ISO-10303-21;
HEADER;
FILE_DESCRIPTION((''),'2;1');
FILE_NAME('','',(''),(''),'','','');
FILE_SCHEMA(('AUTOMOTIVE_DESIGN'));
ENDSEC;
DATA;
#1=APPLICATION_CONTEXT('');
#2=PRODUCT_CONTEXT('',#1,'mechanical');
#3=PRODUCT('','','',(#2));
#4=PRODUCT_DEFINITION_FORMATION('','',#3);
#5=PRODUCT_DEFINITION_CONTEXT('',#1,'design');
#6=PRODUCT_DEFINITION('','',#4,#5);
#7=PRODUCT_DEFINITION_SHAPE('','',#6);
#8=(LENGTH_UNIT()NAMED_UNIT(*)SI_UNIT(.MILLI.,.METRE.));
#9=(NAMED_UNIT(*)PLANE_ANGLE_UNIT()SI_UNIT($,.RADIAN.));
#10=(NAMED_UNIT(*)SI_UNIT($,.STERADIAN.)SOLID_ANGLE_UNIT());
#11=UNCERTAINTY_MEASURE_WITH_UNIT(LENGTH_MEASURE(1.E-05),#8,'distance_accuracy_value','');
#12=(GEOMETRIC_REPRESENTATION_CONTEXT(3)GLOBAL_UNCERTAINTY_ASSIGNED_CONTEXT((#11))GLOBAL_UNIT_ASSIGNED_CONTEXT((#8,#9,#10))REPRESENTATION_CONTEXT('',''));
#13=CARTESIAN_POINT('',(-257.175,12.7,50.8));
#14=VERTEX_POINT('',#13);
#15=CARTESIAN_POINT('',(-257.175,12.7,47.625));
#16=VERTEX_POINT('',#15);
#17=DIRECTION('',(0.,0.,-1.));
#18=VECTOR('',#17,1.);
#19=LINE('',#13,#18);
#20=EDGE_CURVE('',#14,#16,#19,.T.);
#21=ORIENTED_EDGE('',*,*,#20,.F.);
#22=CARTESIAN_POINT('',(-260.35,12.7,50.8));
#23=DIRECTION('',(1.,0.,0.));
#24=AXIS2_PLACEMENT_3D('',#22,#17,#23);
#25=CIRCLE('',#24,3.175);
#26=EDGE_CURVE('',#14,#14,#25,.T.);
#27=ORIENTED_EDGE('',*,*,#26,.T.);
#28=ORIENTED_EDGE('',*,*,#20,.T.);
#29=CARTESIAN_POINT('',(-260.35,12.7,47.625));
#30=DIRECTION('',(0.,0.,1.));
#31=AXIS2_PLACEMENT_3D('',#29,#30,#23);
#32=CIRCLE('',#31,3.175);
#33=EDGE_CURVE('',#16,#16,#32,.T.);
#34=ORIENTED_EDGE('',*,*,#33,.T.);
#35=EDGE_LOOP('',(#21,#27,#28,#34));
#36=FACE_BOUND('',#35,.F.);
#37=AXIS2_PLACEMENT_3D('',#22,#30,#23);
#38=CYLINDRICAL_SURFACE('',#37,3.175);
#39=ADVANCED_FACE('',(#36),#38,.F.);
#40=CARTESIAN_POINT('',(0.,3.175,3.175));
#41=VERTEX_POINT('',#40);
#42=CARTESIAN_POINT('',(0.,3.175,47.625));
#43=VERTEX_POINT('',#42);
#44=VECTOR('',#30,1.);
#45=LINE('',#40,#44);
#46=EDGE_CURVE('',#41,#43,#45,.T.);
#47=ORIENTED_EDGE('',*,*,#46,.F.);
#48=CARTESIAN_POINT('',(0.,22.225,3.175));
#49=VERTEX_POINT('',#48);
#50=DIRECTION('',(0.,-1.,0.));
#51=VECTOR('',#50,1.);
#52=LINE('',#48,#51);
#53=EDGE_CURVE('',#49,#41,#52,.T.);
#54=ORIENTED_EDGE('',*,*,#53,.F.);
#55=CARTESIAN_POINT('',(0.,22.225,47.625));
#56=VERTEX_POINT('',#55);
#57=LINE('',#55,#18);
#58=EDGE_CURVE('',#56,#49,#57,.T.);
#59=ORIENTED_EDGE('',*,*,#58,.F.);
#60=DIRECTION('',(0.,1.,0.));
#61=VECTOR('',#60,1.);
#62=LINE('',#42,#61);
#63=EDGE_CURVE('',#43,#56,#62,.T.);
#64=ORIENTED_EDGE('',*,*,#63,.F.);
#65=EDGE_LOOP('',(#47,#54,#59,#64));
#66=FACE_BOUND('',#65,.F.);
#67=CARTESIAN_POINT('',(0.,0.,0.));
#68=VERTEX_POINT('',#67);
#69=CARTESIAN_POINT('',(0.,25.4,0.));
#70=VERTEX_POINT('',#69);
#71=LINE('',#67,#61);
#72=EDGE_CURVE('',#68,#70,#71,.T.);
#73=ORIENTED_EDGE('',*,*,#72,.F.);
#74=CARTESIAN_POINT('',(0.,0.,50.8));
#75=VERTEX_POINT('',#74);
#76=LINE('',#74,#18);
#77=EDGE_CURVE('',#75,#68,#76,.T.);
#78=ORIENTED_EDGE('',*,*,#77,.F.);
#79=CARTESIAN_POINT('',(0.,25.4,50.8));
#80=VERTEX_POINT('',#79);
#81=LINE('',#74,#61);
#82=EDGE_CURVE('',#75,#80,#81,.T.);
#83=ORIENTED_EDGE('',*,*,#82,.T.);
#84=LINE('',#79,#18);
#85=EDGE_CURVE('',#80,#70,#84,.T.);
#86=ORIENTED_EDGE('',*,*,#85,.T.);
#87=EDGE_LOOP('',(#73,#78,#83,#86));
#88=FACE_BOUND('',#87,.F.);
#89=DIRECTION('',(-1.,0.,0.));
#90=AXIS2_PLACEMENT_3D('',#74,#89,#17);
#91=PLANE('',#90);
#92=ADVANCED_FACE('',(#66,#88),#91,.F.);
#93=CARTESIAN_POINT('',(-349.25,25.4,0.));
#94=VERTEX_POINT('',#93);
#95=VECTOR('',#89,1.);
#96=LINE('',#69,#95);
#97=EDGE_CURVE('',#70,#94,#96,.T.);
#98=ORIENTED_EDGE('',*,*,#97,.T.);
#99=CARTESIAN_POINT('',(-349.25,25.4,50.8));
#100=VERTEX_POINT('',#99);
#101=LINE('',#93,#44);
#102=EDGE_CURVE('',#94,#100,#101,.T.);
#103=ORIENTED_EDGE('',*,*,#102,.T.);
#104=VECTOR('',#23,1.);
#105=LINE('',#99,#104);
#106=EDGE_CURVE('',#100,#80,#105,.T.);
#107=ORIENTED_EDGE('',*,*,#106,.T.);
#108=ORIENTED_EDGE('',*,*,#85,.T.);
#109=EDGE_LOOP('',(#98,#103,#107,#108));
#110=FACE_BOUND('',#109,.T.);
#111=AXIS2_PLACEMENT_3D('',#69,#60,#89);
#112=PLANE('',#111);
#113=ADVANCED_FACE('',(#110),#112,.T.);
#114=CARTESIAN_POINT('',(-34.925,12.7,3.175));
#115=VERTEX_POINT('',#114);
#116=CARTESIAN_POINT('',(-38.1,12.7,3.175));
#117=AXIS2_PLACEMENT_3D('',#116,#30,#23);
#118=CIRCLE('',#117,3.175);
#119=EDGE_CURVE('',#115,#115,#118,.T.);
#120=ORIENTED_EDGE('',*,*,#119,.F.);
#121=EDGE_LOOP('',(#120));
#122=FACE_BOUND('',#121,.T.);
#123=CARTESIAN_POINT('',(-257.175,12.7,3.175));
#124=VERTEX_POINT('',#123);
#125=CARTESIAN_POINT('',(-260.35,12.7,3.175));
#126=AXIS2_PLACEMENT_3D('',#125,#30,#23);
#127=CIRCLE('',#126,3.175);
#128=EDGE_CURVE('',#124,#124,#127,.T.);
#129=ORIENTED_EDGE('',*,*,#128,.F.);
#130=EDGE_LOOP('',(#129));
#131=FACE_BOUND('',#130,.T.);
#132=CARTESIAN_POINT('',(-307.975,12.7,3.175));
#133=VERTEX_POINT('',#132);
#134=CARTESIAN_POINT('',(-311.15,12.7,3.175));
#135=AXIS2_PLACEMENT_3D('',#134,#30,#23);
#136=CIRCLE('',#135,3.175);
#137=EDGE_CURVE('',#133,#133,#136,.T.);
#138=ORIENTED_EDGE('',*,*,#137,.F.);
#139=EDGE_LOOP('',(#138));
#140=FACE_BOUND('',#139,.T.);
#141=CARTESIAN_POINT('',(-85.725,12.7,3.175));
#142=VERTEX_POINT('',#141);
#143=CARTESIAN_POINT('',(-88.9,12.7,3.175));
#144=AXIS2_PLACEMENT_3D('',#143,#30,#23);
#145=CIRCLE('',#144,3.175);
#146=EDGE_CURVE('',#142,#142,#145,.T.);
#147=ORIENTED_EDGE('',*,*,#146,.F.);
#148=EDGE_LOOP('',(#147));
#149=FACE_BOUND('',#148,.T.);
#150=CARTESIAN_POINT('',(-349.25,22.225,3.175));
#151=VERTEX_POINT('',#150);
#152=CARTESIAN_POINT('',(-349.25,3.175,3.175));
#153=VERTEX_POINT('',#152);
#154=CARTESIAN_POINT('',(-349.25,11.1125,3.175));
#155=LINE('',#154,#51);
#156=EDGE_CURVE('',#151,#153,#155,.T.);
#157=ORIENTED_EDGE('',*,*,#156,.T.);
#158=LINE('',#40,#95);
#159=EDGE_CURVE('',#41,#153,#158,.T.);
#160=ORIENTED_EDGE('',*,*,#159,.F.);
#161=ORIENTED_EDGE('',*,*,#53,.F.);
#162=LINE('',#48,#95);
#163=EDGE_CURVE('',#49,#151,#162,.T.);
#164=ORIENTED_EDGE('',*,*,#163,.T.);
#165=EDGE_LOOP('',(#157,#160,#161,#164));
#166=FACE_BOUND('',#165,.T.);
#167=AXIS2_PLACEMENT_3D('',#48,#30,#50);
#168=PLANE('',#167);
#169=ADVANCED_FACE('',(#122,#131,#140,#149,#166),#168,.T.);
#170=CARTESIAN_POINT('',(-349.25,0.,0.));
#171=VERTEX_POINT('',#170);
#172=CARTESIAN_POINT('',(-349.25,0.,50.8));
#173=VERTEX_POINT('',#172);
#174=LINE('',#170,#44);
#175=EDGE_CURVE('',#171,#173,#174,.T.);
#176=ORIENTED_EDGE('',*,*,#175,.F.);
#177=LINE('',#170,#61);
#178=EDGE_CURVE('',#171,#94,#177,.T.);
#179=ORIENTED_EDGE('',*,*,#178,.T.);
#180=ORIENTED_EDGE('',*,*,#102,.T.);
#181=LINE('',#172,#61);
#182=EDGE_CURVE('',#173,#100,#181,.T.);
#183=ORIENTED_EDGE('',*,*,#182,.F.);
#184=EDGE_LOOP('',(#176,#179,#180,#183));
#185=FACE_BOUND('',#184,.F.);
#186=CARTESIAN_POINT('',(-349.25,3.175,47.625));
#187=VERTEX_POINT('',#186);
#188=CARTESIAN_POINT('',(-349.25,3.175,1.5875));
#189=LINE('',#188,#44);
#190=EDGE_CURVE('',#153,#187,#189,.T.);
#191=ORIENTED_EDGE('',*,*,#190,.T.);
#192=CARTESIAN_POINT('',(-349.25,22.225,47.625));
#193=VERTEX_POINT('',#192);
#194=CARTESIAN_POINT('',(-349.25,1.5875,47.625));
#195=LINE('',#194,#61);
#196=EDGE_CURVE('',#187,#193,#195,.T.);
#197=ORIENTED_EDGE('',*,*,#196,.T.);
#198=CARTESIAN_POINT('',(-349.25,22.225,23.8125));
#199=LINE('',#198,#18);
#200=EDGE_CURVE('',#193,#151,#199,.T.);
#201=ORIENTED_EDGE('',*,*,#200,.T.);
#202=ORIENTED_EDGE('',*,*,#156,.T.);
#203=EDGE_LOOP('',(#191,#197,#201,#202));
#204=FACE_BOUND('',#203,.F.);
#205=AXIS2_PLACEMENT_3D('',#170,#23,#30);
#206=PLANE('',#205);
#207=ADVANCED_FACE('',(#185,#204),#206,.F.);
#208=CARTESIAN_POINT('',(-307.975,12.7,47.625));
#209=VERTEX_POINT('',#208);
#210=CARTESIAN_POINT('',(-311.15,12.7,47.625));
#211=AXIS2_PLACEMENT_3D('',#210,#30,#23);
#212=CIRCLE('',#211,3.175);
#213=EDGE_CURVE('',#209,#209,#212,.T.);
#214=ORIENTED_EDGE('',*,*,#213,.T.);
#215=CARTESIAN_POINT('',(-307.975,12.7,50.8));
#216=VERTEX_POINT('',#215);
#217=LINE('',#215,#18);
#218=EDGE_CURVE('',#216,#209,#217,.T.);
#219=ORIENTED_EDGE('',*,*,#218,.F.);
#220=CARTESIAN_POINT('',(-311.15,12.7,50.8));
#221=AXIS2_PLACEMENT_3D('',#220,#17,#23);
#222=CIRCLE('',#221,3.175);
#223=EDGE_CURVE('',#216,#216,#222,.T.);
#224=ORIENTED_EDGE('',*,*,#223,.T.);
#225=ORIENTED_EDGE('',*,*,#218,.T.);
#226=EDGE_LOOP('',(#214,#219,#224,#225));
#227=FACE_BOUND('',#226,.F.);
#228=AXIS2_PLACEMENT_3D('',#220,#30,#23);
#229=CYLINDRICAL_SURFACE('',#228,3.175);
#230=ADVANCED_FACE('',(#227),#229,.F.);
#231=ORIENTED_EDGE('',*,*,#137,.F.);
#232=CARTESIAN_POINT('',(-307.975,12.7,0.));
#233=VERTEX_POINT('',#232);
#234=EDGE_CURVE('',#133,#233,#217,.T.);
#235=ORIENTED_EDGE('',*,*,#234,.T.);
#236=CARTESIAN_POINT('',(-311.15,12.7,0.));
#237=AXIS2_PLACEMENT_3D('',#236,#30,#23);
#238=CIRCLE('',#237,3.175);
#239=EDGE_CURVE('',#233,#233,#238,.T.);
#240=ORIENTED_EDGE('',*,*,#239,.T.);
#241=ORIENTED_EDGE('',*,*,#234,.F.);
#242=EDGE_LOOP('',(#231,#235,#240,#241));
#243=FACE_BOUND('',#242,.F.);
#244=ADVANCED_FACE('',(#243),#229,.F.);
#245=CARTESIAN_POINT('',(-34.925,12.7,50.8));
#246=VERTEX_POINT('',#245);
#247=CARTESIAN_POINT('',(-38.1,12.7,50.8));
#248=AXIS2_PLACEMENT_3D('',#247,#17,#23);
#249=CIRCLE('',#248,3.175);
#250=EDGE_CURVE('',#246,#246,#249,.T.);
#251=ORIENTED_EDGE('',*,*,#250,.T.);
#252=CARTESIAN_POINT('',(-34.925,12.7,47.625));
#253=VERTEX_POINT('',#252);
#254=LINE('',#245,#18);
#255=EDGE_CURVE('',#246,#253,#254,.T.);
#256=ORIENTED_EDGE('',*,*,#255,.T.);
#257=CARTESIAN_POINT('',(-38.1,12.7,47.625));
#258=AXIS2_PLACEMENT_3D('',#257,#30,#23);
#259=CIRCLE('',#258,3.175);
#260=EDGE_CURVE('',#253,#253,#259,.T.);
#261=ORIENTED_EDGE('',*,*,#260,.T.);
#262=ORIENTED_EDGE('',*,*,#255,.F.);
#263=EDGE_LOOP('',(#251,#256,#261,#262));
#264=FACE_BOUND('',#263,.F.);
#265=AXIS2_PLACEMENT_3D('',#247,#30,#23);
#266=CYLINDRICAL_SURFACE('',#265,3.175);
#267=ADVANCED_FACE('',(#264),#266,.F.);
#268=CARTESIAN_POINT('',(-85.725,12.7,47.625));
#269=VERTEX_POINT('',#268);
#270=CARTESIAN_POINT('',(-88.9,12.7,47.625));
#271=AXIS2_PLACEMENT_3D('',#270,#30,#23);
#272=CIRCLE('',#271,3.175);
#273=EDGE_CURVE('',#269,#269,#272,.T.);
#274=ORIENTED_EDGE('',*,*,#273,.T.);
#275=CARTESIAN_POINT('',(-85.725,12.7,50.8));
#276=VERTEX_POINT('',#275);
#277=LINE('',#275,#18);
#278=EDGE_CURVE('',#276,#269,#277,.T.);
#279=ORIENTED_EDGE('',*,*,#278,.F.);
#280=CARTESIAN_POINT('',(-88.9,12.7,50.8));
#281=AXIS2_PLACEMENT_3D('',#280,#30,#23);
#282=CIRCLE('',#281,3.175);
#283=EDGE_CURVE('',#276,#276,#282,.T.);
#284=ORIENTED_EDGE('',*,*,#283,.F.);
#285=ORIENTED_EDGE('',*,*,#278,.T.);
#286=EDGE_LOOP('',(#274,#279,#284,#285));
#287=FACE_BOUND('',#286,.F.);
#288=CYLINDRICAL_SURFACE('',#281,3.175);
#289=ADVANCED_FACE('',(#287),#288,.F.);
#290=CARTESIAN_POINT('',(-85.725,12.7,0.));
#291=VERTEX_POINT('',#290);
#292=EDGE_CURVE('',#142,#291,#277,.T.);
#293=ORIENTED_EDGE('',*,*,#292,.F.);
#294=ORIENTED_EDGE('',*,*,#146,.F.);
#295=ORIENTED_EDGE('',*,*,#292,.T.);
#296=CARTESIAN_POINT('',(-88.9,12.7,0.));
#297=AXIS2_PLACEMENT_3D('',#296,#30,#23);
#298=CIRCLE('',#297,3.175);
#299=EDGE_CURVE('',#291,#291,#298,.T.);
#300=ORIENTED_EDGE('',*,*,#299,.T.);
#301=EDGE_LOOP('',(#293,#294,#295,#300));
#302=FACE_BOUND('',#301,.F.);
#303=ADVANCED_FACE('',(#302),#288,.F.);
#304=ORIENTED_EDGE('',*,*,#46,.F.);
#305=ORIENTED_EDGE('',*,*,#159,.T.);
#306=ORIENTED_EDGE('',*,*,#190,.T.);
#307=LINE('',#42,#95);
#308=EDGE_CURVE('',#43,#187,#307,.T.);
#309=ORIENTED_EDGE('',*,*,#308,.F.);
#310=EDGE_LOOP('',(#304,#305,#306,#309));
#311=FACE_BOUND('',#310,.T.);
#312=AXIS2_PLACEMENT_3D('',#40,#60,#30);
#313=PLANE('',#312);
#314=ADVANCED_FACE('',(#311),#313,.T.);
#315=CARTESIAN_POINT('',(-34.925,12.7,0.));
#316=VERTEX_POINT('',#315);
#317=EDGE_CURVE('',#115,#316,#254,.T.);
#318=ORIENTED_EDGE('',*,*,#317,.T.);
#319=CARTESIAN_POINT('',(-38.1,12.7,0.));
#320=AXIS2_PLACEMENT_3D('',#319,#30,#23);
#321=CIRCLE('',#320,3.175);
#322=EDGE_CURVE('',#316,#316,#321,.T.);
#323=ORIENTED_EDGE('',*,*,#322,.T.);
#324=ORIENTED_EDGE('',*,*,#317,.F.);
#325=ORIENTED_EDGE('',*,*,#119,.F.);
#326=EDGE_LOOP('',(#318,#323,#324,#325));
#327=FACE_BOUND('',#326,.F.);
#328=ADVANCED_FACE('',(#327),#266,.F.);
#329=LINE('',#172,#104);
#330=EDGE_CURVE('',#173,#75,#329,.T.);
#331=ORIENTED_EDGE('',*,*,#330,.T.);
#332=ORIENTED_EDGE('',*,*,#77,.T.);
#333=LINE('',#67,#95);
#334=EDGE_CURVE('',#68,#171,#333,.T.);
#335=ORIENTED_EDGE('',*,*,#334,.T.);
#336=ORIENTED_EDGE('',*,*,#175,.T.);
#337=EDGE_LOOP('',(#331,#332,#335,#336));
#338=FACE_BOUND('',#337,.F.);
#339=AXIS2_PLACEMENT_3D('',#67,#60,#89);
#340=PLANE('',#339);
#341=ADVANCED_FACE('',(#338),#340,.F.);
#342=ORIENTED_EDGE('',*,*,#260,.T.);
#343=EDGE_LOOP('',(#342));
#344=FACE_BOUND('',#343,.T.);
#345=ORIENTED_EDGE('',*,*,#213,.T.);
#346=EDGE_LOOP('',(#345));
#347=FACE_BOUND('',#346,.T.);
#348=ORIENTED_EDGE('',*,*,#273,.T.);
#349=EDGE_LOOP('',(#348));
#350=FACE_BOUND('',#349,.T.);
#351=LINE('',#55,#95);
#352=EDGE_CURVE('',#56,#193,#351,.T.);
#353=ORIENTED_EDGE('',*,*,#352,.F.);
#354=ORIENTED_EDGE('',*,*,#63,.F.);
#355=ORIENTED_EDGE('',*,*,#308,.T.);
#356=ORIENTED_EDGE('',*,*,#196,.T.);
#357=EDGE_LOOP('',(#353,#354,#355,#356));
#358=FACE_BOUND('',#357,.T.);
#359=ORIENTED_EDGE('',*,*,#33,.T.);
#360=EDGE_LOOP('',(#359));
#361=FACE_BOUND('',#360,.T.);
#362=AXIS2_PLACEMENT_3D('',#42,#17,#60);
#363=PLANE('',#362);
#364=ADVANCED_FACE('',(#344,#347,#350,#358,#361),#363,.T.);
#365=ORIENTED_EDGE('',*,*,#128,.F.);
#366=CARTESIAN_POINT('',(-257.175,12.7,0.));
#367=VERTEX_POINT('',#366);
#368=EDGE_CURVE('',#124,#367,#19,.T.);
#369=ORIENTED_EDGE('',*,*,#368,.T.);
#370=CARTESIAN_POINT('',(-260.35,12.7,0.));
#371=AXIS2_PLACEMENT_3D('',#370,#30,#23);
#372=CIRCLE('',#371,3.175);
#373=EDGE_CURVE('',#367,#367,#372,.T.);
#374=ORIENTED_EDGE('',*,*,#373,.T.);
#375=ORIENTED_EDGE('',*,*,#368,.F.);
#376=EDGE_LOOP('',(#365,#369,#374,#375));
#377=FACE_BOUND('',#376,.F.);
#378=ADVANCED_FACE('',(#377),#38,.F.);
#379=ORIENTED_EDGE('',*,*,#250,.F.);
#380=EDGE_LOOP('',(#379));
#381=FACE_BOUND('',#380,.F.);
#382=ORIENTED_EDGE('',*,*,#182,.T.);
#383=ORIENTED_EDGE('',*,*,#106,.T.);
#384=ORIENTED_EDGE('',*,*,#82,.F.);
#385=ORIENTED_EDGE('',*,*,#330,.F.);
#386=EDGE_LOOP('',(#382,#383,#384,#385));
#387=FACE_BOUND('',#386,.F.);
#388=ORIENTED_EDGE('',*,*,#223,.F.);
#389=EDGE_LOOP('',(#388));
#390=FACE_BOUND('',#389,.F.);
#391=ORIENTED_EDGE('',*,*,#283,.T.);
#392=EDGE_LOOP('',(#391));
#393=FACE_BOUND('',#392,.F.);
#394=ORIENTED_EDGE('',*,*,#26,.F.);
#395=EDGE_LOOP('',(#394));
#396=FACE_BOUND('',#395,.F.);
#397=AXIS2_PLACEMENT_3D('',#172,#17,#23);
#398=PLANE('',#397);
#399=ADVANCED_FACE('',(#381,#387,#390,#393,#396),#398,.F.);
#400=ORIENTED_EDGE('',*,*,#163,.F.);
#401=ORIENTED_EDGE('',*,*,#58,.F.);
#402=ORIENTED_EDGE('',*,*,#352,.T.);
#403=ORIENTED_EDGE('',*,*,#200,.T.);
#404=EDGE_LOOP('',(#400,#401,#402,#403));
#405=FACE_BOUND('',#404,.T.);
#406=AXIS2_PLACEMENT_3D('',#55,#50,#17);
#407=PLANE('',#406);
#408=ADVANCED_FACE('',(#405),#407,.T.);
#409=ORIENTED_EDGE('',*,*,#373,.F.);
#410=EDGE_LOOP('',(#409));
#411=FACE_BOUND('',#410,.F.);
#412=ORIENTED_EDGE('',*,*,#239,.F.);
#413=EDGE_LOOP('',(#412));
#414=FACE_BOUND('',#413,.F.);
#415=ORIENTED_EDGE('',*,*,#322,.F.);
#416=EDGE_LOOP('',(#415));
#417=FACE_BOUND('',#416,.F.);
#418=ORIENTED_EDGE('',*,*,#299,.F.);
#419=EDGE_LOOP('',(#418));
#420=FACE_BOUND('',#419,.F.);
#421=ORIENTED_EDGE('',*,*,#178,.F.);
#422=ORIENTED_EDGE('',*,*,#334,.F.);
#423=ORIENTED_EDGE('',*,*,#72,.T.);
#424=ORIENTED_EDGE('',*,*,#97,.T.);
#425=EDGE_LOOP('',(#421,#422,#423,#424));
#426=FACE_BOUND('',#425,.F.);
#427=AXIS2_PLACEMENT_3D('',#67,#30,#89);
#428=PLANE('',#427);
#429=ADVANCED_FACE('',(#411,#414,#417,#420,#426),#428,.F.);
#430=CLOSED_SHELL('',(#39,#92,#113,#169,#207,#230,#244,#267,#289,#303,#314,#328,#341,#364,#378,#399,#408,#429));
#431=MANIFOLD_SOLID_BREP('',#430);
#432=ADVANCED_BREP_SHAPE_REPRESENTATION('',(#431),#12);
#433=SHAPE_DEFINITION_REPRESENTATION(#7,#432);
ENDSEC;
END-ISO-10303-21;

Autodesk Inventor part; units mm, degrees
ref_plane "YZ Plane" through (0, 0, 0) normal (1, 0, 0) x (0, 1, 0)
ref_plane "XZ Plane" through (0, 0, 0) normal (0, 1, 0) x (-1, 0, 0)
ref_plane "XY Plane" through (0, 0, 0) normal (0, 0, 1) x (1, 0, 0)
sketch "Sketch1" plane through (0, 0, 0) normal (0, 1, 0) x (-1, 0, 0)
  line L0 (0, 0) -> (349.25, 0)
  line L1 (349.25, 0) -> (349.25, 50.8)
  line L2 (349.25, 50.8) -> (0, 50.8)
  line L3 (0, 50.8) -> (0, 0)
  dimension "d0" = 349.25
  dimension "d1" = 50.8
extrude "Extrusion1" add sketch "Sketch1" along normal blind 25.4
sketch "Sketch2" plane through (0, 0, 50.8) normal (1, 0, 0) x (0, 0, -1)
  line L0 (0, 25.4) -> (3.175, 25.4)
  line L1 (3.175, 25.4) -> (3.175, 22.225)
  line L2 (3.175, 22.225) -> (0, 22.225)
  line L3 (0, 22.225) -> (0, 25.4)
  line L4 (3.175, 22.225) -> (47.625, 22.225)
  line L5 (47.625, 22.225) -> (47.625, 3.175)
  line L6 (47.625, 3.175) -> (3.175, 3.175)
  line L7 (3.175, 3.175) -> (3.175, 22.225)
  dimension "d4" = 3.175
  dimension "d5" = 3.175
  dimension "d6" = 44.45
  dimension "d7" = 19.05
extrude "Extrusion2" cut sketch "Sketch2" against normal blind 508 contours L4 L5 L6 L7
sketch "Sketch3" plane through (-349.25, 0, 50.8) normal (0, 0, 1) x (1, 0, 0)
  line L0 (349.25, 0) -> (349.25, 25.4) projected
  line L1 (0, 0) -> (0, 25.4) projected
  line L2 (0, 12.7) -> (38.1, 12.7)
  line L3 (0, 12.7) -> (38.1, 12.7) construction
  line L4 (38.1, 12.7) -> (88.9, 12.7)
  circle A0 centre (88.9, 12.7) radius 3.175
  circle A1 centre (38.1, 12.7) radius 3.175
  line L5 (349.25, 12.7) -> (311.15, 12.7)
  line L6 (349.25, 12.7) -> (387.35, 12.7) construction
  line L7 (311.15, 12.7) -> (260.35, 12.7)
  line L8 (311.15, 12.7) -> (361.95, 12.7) construction
  circle A2 centre (260.35, 12.7) radius 3.175
  circle A3 centre (311.15, 12.7) radius 3.175
  dimension "d10" = 38.1
  dimension "d11" = 0
  dimension "d12" = 50.8
  dimension "d13" = 180
  dimension "d14" = 6.35
  dimension "d15" = 6.35
  dimension "d16" = 38.1
  dimension "d17" = 180
  dimension "d18" = 50.8
  dimension "d19" = 180
  dimension "d20" = 6.35
  dimension "d21" = 6.35
extrude "Extrusion3" cut sketch "Sketch3" against normal blind 50.8
properties part number "CatapultMotorSupport"
